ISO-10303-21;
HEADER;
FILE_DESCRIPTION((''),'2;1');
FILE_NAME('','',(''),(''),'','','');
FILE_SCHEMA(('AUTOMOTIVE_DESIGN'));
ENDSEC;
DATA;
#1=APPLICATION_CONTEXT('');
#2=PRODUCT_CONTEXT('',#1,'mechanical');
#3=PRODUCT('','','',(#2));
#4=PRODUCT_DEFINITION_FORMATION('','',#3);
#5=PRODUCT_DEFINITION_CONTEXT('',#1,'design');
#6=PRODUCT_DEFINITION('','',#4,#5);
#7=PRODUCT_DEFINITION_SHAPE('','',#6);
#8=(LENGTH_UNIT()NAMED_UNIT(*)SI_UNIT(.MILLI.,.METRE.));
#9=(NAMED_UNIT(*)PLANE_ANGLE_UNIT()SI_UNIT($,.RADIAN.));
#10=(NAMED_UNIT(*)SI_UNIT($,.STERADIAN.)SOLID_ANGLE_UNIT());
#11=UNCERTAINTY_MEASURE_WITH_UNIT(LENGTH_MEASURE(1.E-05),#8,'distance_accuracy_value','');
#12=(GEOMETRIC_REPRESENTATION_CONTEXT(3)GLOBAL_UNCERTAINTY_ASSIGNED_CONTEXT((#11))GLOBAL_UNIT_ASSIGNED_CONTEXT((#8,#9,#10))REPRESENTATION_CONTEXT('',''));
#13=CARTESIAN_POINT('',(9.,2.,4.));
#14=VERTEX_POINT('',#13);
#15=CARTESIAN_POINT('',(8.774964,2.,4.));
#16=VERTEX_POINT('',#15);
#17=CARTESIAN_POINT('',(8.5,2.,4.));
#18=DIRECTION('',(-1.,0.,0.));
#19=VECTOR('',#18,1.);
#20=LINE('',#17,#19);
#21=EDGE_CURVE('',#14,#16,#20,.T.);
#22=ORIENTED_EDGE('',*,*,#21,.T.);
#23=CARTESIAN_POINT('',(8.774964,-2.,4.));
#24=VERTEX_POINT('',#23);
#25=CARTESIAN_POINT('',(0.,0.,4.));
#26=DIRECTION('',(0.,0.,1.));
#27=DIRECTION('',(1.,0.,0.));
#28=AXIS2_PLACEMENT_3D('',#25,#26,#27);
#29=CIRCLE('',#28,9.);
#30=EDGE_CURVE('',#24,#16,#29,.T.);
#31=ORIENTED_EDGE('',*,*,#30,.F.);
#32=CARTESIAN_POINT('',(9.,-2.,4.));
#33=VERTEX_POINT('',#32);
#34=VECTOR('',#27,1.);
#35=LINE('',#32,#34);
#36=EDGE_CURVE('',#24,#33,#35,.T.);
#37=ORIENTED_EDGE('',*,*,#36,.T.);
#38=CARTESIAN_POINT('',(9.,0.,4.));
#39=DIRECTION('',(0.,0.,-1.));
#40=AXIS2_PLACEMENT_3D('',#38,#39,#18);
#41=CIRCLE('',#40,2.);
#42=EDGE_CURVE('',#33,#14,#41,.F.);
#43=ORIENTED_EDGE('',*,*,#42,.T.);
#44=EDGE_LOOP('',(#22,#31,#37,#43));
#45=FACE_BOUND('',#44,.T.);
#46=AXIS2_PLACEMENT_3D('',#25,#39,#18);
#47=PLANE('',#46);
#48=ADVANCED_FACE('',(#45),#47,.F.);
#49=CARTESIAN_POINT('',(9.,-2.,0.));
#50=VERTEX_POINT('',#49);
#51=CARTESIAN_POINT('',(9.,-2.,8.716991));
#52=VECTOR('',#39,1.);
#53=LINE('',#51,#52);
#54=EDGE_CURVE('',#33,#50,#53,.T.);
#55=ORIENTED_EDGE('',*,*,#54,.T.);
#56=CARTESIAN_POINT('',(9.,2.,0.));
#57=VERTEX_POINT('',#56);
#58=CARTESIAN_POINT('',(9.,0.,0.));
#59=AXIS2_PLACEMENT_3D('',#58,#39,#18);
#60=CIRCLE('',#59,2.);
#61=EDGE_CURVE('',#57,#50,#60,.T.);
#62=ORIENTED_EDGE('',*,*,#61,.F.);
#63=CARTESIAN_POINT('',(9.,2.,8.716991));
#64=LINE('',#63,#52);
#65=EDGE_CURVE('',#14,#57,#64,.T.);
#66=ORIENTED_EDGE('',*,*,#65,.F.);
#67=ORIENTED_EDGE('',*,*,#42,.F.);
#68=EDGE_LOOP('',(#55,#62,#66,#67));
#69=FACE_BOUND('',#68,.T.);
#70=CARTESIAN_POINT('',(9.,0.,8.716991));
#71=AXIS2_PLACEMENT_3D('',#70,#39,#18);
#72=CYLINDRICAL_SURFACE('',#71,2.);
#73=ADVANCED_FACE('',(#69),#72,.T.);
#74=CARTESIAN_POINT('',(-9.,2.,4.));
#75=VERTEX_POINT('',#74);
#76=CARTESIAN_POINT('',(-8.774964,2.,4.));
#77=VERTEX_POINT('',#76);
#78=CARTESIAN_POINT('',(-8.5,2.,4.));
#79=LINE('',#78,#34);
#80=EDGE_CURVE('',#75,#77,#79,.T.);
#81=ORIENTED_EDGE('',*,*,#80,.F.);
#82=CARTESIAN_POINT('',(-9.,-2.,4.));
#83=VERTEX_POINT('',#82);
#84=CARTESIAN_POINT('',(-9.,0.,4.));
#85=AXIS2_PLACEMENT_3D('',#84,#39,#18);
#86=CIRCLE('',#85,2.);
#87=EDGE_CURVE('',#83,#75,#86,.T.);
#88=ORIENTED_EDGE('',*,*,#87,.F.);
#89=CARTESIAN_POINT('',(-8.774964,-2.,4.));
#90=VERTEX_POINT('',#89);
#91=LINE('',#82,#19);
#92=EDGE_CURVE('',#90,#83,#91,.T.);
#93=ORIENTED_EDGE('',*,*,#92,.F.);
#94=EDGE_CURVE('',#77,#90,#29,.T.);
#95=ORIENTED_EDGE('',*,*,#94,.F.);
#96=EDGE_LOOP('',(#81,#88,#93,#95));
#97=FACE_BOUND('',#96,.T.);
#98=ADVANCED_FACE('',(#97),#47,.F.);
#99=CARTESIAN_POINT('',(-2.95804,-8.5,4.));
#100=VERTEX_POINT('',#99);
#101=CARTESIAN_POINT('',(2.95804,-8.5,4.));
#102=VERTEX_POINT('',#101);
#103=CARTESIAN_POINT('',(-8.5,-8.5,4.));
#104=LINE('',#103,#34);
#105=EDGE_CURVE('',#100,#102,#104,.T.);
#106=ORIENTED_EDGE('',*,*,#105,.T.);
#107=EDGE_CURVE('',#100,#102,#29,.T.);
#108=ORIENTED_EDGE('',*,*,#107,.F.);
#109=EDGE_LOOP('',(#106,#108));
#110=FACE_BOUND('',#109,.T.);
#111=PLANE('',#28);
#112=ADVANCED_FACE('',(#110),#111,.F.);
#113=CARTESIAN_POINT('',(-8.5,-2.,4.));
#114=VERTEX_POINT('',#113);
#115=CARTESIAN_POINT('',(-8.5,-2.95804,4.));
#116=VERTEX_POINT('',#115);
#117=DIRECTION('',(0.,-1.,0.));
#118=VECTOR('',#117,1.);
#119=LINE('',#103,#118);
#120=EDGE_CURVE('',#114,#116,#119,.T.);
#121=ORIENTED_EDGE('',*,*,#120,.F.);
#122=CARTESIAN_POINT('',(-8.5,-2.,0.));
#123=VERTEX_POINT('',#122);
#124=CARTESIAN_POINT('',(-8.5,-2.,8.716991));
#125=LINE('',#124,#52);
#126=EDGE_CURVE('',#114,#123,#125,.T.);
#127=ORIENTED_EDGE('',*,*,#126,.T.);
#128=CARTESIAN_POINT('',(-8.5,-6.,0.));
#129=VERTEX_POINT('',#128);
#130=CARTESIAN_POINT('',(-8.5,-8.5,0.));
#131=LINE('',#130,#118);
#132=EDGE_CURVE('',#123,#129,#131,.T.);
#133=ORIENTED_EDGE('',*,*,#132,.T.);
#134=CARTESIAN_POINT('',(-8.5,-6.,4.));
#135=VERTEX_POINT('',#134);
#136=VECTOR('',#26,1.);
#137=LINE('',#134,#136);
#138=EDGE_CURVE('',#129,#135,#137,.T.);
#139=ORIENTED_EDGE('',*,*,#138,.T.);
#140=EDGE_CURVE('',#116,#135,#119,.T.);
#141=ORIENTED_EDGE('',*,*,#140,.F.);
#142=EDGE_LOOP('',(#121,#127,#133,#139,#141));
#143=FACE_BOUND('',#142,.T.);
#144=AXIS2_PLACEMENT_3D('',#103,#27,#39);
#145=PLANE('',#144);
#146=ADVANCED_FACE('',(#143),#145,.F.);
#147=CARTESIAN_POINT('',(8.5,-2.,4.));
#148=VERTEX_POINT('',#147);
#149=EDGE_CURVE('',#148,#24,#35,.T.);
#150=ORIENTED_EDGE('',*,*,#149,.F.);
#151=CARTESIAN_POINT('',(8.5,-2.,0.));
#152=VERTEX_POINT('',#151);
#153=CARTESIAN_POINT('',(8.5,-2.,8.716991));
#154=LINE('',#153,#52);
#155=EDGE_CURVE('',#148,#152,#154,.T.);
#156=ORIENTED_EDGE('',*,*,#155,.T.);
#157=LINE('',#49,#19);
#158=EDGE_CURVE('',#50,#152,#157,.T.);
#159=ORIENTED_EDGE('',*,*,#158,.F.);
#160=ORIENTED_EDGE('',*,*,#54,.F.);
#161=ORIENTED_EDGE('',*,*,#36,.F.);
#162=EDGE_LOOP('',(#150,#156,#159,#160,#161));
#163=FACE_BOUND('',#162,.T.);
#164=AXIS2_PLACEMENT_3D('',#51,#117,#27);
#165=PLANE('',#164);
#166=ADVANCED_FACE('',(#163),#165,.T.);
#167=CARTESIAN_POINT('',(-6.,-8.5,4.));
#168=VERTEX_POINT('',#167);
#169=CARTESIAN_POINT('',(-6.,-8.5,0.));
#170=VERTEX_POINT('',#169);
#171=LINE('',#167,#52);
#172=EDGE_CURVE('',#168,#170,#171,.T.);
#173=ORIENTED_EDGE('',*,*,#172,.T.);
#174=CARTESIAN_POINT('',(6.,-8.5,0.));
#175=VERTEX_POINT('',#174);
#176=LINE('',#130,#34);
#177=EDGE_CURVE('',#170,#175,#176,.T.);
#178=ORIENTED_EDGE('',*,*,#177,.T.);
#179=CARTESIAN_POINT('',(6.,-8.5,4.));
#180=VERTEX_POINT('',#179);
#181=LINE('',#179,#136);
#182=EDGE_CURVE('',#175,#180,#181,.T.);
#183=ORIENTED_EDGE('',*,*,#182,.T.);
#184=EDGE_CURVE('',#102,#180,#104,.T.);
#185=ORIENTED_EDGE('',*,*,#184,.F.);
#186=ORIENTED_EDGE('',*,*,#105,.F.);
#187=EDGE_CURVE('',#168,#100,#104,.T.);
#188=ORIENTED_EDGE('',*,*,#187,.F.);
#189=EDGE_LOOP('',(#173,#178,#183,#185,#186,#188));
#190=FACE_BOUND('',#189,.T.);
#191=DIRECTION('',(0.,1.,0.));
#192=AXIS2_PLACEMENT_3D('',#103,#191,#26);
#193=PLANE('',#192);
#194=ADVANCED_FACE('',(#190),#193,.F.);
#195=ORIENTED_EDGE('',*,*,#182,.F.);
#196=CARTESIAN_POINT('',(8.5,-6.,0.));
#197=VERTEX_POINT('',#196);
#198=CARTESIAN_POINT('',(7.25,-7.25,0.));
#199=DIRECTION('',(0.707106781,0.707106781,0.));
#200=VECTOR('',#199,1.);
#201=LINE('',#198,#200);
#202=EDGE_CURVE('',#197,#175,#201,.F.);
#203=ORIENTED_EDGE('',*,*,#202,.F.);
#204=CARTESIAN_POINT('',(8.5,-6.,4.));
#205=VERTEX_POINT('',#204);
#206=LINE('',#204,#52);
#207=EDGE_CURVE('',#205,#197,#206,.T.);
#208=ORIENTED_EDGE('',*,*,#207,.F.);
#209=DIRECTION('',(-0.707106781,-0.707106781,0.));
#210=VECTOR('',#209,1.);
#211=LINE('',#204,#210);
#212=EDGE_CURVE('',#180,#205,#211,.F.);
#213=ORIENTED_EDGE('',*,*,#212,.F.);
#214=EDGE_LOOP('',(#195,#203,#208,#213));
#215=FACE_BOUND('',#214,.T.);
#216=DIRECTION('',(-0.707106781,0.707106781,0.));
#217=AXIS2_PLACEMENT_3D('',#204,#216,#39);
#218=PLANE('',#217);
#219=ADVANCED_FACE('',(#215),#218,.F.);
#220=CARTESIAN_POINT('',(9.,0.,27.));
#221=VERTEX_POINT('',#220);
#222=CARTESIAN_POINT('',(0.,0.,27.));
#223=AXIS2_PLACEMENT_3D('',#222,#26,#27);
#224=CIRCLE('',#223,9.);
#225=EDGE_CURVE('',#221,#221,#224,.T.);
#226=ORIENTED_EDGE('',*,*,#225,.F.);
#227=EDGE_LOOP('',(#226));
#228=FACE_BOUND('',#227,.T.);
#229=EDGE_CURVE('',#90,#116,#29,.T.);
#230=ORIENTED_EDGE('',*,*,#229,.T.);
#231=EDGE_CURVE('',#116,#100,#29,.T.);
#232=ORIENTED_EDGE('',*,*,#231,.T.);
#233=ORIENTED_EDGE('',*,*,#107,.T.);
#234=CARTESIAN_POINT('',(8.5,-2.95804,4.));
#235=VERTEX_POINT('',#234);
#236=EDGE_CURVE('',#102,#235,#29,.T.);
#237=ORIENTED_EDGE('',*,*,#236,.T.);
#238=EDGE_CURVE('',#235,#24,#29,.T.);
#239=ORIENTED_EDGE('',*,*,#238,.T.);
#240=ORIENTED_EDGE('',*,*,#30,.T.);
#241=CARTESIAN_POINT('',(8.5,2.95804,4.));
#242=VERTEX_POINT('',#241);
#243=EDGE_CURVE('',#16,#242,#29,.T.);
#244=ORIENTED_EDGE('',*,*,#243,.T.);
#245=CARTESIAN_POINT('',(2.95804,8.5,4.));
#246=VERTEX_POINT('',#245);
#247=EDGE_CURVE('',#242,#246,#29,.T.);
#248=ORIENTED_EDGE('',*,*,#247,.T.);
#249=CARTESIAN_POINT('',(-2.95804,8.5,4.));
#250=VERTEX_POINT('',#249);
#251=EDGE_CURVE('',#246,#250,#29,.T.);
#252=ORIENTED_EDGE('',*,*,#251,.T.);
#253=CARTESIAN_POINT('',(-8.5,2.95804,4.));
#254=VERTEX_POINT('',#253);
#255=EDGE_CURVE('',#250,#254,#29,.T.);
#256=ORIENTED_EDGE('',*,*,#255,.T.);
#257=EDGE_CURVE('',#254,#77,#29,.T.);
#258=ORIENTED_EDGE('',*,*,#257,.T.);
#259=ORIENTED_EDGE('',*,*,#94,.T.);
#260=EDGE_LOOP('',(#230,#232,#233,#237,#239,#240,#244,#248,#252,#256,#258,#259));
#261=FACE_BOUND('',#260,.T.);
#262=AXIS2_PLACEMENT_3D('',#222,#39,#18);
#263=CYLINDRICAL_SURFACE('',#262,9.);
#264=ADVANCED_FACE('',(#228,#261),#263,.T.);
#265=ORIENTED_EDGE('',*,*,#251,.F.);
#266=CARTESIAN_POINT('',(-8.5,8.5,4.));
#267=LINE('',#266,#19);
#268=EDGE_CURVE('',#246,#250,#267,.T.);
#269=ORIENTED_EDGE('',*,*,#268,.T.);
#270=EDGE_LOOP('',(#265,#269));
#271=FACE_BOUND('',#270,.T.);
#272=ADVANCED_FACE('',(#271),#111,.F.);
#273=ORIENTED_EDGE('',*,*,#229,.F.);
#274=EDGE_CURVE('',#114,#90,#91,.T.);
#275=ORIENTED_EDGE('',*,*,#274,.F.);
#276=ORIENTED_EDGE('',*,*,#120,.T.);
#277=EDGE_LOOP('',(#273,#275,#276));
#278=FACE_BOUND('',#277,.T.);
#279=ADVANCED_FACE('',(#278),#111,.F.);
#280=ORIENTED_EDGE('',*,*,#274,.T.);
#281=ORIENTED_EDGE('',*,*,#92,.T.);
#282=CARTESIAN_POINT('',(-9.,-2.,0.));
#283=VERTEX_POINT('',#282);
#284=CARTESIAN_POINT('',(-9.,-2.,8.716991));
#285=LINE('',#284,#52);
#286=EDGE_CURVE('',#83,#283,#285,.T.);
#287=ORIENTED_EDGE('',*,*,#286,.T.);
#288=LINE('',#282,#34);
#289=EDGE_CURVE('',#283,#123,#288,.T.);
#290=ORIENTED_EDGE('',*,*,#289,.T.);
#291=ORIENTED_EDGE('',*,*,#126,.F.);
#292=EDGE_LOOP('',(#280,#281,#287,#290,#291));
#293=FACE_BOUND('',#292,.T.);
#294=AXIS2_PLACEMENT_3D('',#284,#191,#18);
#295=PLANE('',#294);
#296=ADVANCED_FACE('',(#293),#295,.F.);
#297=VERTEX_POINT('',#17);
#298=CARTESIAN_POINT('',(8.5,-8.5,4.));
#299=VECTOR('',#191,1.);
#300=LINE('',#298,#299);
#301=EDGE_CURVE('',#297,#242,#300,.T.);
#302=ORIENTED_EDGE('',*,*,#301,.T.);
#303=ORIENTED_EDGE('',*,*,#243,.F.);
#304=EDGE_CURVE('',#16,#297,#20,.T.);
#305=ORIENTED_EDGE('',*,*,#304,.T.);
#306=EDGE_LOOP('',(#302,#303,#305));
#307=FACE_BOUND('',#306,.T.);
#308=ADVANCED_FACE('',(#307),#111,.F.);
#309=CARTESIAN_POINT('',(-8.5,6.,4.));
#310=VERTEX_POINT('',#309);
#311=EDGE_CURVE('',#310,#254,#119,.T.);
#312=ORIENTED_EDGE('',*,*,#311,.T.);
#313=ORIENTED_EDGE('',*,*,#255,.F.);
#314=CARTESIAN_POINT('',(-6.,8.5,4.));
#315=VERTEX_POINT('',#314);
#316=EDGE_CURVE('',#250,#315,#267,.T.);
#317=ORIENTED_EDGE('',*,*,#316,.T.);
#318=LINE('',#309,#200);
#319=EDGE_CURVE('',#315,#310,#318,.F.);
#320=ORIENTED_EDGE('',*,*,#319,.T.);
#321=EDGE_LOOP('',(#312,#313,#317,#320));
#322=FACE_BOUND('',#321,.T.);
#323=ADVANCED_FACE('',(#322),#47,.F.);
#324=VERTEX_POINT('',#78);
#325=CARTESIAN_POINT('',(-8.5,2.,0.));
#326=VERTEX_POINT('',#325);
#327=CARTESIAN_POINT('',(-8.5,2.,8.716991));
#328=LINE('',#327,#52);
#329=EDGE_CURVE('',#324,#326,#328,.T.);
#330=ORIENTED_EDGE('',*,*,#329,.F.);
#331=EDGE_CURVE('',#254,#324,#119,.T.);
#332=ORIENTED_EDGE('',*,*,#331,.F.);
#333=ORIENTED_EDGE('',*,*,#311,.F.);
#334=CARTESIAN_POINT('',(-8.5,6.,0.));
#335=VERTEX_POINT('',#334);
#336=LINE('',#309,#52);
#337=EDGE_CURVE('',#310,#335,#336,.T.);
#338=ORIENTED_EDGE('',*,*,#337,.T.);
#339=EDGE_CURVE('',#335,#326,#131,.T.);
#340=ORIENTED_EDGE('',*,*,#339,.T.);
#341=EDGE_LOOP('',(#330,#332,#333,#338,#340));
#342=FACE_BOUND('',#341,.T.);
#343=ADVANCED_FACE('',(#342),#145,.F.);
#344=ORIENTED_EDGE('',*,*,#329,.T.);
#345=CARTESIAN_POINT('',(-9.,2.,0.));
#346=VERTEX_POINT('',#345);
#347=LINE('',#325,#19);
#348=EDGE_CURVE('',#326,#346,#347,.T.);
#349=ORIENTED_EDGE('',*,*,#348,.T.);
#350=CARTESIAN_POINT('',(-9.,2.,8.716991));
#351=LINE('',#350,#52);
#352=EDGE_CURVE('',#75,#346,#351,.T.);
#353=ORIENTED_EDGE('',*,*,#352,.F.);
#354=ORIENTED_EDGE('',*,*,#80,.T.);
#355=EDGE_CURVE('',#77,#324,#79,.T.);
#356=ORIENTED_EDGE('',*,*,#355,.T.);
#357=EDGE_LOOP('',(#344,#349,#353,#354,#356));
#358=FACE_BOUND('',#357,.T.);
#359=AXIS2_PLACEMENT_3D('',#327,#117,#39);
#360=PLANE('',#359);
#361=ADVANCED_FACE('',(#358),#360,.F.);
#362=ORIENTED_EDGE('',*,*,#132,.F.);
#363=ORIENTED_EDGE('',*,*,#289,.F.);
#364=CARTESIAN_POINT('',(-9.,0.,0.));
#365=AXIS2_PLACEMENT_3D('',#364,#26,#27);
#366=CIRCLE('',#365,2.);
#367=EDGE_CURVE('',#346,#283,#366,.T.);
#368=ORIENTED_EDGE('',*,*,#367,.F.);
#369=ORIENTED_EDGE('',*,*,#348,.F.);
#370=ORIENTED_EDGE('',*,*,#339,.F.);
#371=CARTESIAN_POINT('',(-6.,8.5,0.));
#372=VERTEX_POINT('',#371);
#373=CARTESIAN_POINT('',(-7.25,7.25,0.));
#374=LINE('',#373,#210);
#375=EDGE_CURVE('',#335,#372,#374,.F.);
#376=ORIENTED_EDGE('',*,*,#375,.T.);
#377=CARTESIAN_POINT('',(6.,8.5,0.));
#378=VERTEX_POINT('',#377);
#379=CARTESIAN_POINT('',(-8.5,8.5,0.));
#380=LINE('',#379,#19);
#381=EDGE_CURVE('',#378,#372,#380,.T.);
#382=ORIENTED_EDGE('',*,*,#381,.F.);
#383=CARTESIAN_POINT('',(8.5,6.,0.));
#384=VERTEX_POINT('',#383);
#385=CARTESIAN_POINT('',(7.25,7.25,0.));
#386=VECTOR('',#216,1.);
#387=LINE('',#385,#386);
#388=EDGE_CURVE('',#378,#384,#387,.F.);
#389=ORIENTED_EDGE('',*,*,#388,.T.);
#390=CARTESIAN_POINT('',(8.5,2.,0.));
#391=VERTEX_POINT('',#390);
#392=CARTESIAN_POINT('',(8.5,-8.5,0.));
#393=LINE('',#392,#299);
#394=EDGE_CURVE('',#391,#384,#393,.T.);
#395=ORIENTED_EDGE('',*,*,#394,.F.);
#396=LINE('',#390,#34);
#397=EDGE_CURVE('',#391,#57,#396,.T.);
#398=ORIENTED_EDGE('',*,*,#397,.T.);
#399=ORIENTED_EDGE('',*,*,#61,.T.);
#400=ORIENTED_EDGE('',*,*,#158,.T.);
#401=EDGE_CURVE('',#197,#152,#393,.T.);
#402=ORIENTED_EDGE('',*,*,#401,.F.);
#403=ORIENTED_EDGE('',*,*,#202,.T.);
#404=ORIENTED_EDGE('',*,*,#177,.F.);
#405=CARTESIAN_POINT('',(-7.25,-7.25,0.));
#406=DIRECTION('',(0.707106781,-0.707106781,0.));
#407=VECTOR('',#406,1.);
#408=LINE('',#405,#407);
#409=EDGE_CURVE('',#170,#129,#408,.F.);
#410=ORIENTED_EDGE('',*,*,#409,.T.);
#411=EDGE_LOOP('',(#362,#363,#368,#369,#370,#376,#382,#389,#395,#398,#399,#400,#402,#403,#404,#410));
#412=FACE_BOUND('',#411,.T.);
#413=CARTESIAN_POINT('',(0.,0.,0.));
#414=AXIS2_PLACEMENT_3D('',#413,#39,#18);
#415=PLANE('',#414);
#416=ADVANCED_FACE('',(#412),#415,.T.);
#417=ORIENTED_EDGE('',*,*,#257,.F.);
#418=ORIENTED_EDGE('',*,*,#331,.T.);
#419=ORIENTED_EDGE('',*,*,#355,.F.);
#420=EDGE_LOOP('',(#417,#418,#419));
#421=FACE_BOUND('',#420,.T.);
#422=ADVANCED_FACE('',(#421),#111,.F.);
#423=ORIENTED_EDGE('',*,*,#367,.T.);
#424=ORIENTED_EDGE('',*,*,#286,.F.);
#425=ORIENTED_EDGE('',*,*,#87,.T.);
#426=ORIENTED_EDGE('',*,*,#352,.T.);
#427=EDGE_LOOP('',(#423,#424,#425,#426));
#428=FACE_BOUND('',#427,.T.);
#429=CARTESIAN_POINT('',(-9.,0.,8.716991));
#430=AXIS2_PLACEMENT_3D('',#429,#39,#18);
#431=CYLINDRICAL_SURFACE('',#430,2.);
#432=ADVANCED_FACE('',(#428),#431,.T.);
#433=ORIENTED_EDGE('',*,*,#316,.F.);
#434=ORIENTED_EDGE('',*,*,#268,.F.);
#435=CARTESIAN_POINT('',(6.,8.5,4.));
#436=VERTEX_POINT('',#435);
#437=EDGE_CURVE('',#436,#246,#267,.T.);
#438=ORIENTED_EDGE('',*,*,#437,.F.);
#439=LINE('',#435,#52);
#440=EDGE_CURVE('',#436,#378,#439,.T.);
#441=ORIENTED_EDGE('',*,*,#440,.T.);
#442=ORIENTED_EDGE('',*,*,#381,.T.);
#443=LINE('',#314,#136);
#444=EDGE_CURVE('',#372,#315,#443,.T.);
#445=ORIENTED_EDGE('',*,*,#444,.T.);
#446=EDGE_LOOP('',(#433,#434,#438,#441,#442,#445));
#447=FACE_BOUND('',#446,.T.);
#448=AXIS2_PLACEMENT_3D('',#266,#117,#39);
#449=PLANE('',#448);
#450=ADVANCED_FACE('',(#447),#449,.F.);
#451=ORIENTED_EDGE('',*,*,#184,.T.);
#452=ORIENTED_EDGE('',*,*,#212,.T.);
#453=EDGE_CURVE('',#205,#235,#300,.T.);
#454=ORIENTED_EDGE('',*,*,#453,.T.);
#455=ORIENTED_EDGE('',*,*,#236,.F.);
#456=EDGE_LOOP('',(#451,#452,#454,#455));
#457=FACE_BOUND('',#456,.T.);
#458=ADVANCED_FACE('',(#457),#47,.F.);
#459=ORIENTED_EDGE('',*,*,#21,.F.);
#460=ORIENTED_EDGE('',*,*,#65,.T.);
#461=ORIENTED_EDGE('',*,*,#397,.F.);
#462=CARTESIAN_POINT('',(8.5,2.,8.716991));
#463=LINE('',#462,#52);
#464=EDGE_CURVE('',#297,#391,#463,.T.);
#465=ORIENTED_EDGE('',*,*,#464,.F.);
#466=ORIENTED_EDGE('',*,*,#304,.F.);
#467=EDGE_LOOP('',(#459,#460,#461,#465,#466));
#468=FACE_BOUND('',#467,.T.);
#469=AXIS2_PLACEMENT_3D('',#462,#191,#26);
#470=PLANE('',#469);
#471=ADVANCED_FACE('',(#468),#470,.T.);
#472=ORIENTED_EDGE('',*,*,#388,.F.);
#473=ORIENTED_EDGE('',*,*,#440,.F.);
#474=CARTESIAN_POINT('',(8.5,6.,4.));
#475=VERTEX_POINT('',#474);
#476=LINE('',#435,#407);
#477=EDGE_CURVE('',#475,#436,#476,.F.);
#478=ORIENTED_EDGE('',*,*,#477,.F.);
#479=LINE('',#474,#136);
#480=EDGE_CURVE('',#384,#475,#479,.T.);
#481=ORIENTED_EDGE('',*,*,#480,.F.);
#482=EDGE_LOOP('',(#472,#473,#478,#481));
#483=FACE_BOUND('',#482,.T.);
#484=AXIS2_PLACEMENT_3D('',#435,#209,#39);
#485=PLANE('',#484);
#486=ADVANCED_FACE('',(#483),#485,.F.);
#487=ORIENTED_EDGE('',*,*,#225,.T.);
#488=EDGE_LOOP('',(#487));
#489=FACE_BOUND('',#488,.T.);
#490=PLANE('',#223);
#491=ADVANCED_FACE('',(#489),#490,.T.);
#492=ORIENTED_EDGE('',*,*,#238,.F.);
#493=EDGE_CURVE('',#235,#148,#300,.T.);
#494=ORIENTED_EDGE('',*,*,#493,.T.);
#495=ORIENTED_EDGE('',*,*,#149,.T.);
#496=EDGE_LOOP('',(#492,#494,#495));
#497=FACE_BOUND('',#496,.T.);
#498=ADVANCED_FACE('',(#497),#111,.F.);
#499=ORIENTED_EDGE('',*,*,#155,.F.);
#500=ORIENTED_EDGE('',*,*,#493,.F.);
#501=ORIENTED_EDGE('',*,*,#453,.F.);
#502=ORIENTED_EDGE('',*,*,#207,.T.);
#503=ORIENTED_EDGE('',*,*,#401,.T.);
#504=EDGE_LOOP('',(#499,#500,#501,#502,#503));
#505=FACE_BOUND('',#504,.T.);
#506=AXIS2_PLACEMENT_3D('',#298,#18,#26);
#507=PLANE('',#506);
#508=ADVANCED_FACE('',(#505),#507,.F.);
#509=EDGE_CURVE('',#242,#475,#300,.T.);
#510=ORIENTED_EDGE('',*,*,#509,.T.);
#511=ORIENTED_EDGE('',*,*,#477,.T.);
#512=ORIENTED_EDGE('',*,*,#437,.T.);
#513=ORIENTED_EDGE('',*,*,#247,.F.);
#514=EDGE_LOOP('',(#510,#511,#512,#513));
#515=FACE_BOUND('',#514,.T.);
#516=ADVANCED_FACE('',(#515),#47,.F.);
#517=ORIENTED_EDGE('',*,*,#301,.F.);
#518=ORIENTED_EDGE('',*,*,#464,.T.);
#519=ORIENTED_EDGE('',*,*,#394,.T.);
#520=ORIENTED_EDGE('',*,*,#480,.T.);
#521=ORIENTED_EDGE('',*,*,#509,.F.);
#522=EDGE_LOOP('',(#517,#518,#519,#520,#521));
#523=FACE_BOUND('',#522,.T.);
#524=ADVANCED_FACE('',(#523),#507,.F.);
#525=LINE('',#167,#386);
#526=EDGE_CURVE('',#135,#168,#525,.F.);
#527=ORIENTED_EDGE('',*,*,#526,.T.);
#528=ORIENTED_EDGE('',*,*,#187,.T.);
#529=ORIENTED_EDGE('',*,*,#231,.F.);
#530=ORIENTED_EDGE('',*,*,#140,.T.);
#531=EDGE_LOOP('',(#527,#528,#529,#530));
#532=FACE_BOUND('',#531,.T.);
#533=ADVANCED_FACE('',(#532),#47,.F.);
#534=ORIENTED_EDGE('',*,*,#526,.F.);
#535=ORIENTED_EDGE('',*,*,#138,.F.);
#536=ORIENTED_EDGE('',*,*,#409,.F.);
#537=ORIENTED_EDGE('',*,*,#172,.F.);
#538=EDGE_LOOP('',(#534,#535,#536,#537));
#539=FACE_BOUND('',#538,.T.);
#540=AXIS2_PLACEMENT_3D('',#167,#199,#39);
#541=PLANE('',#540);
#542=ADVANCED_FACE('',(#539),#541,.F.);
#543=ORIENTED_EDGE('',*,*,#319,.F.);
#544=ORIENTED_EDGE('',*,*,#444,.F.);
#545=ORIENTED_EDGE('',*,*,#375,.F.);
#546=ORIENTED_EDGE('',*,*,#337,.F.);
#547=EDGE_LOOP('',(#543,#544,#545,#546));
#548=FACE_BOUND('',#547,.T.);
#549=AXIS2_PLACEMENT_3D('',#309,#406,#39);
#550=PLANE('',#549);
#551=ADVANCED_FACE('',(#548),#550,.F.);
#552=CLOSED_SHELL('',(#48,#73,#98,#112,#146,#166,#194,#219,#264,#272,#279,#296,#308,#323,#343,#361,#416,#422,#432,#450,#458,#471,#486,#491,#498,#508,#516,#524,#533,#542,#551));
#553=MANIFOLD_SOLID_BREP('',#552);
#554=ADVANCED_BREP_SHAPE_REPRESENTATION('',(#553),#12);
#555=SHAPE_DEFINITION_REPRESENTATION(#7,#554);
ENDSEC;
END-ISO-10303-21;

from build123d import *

# Parameters (mm, degrees)
SKETCH1_W           = 17
SKETCH1_H           = 17
BOSS_EXTRUDE1_DEPTH = 4
CHAMFER1_SIZE       = 2.5
BOSS_EXTRUDE3_DEPTH = 4
SKETCH2_R           = 9
BOSS_EXTRUDE2_DEPTH = 23


with BuildPart() as part:
    # Sketch1 → Boss-Extrude1 (new body)
    with BuildSketch(Plane.XY):
        Rectangle(SKETCH1_W, SKETCH1_H)
    extrude(amount=BOSS_EXTRUDE1_DEPTH)

    # Chamfer1
    chamfer1_edges = [part.edges().sort_by_distance(p)[0] for p in [
        (8.5, -8.5, 2),
        (-8.5, -8.5, 2),
        (-8.5, 8.5, 2),
        (8.5, 8.5, 2),
    ]]
    chamfer(chamfer1_edges, length=CHAMFER1_SIZE)

    # Sketch3 → Boss-Extrude3 (add)
    with BuildSketch(Plane.XY):
        with BuildLine():
            Line((-8.5, 2), (-9, 2))
            ThreePointArc((-9, 2), (-11, 0), (-9, -2))
            Line((-9, -2), (-8.5, -2))
            Line((-8.5, -2), (-8.5, 2))
        make_face()
    boss_extrude3 = extrude(amount=BOSS_EXTRUDE3_DEPTH)

    # Mirror1: Boss-Extrude3 across plane
    add(boss_extrude3.mirror(Plane(origin=(0, 0, 0), x_dir=(0, 0, 1), z_dir=(1, 0, 0))))

    # Sketch2 → Boss-Extrude2 (add)
    with BuildSketch(Plane.XY.offset(4)):
        Circle(SKETCH2_R)
    extrude(amount=BOSS_EXTRUDE2_DEPTH)


solid = part.part
